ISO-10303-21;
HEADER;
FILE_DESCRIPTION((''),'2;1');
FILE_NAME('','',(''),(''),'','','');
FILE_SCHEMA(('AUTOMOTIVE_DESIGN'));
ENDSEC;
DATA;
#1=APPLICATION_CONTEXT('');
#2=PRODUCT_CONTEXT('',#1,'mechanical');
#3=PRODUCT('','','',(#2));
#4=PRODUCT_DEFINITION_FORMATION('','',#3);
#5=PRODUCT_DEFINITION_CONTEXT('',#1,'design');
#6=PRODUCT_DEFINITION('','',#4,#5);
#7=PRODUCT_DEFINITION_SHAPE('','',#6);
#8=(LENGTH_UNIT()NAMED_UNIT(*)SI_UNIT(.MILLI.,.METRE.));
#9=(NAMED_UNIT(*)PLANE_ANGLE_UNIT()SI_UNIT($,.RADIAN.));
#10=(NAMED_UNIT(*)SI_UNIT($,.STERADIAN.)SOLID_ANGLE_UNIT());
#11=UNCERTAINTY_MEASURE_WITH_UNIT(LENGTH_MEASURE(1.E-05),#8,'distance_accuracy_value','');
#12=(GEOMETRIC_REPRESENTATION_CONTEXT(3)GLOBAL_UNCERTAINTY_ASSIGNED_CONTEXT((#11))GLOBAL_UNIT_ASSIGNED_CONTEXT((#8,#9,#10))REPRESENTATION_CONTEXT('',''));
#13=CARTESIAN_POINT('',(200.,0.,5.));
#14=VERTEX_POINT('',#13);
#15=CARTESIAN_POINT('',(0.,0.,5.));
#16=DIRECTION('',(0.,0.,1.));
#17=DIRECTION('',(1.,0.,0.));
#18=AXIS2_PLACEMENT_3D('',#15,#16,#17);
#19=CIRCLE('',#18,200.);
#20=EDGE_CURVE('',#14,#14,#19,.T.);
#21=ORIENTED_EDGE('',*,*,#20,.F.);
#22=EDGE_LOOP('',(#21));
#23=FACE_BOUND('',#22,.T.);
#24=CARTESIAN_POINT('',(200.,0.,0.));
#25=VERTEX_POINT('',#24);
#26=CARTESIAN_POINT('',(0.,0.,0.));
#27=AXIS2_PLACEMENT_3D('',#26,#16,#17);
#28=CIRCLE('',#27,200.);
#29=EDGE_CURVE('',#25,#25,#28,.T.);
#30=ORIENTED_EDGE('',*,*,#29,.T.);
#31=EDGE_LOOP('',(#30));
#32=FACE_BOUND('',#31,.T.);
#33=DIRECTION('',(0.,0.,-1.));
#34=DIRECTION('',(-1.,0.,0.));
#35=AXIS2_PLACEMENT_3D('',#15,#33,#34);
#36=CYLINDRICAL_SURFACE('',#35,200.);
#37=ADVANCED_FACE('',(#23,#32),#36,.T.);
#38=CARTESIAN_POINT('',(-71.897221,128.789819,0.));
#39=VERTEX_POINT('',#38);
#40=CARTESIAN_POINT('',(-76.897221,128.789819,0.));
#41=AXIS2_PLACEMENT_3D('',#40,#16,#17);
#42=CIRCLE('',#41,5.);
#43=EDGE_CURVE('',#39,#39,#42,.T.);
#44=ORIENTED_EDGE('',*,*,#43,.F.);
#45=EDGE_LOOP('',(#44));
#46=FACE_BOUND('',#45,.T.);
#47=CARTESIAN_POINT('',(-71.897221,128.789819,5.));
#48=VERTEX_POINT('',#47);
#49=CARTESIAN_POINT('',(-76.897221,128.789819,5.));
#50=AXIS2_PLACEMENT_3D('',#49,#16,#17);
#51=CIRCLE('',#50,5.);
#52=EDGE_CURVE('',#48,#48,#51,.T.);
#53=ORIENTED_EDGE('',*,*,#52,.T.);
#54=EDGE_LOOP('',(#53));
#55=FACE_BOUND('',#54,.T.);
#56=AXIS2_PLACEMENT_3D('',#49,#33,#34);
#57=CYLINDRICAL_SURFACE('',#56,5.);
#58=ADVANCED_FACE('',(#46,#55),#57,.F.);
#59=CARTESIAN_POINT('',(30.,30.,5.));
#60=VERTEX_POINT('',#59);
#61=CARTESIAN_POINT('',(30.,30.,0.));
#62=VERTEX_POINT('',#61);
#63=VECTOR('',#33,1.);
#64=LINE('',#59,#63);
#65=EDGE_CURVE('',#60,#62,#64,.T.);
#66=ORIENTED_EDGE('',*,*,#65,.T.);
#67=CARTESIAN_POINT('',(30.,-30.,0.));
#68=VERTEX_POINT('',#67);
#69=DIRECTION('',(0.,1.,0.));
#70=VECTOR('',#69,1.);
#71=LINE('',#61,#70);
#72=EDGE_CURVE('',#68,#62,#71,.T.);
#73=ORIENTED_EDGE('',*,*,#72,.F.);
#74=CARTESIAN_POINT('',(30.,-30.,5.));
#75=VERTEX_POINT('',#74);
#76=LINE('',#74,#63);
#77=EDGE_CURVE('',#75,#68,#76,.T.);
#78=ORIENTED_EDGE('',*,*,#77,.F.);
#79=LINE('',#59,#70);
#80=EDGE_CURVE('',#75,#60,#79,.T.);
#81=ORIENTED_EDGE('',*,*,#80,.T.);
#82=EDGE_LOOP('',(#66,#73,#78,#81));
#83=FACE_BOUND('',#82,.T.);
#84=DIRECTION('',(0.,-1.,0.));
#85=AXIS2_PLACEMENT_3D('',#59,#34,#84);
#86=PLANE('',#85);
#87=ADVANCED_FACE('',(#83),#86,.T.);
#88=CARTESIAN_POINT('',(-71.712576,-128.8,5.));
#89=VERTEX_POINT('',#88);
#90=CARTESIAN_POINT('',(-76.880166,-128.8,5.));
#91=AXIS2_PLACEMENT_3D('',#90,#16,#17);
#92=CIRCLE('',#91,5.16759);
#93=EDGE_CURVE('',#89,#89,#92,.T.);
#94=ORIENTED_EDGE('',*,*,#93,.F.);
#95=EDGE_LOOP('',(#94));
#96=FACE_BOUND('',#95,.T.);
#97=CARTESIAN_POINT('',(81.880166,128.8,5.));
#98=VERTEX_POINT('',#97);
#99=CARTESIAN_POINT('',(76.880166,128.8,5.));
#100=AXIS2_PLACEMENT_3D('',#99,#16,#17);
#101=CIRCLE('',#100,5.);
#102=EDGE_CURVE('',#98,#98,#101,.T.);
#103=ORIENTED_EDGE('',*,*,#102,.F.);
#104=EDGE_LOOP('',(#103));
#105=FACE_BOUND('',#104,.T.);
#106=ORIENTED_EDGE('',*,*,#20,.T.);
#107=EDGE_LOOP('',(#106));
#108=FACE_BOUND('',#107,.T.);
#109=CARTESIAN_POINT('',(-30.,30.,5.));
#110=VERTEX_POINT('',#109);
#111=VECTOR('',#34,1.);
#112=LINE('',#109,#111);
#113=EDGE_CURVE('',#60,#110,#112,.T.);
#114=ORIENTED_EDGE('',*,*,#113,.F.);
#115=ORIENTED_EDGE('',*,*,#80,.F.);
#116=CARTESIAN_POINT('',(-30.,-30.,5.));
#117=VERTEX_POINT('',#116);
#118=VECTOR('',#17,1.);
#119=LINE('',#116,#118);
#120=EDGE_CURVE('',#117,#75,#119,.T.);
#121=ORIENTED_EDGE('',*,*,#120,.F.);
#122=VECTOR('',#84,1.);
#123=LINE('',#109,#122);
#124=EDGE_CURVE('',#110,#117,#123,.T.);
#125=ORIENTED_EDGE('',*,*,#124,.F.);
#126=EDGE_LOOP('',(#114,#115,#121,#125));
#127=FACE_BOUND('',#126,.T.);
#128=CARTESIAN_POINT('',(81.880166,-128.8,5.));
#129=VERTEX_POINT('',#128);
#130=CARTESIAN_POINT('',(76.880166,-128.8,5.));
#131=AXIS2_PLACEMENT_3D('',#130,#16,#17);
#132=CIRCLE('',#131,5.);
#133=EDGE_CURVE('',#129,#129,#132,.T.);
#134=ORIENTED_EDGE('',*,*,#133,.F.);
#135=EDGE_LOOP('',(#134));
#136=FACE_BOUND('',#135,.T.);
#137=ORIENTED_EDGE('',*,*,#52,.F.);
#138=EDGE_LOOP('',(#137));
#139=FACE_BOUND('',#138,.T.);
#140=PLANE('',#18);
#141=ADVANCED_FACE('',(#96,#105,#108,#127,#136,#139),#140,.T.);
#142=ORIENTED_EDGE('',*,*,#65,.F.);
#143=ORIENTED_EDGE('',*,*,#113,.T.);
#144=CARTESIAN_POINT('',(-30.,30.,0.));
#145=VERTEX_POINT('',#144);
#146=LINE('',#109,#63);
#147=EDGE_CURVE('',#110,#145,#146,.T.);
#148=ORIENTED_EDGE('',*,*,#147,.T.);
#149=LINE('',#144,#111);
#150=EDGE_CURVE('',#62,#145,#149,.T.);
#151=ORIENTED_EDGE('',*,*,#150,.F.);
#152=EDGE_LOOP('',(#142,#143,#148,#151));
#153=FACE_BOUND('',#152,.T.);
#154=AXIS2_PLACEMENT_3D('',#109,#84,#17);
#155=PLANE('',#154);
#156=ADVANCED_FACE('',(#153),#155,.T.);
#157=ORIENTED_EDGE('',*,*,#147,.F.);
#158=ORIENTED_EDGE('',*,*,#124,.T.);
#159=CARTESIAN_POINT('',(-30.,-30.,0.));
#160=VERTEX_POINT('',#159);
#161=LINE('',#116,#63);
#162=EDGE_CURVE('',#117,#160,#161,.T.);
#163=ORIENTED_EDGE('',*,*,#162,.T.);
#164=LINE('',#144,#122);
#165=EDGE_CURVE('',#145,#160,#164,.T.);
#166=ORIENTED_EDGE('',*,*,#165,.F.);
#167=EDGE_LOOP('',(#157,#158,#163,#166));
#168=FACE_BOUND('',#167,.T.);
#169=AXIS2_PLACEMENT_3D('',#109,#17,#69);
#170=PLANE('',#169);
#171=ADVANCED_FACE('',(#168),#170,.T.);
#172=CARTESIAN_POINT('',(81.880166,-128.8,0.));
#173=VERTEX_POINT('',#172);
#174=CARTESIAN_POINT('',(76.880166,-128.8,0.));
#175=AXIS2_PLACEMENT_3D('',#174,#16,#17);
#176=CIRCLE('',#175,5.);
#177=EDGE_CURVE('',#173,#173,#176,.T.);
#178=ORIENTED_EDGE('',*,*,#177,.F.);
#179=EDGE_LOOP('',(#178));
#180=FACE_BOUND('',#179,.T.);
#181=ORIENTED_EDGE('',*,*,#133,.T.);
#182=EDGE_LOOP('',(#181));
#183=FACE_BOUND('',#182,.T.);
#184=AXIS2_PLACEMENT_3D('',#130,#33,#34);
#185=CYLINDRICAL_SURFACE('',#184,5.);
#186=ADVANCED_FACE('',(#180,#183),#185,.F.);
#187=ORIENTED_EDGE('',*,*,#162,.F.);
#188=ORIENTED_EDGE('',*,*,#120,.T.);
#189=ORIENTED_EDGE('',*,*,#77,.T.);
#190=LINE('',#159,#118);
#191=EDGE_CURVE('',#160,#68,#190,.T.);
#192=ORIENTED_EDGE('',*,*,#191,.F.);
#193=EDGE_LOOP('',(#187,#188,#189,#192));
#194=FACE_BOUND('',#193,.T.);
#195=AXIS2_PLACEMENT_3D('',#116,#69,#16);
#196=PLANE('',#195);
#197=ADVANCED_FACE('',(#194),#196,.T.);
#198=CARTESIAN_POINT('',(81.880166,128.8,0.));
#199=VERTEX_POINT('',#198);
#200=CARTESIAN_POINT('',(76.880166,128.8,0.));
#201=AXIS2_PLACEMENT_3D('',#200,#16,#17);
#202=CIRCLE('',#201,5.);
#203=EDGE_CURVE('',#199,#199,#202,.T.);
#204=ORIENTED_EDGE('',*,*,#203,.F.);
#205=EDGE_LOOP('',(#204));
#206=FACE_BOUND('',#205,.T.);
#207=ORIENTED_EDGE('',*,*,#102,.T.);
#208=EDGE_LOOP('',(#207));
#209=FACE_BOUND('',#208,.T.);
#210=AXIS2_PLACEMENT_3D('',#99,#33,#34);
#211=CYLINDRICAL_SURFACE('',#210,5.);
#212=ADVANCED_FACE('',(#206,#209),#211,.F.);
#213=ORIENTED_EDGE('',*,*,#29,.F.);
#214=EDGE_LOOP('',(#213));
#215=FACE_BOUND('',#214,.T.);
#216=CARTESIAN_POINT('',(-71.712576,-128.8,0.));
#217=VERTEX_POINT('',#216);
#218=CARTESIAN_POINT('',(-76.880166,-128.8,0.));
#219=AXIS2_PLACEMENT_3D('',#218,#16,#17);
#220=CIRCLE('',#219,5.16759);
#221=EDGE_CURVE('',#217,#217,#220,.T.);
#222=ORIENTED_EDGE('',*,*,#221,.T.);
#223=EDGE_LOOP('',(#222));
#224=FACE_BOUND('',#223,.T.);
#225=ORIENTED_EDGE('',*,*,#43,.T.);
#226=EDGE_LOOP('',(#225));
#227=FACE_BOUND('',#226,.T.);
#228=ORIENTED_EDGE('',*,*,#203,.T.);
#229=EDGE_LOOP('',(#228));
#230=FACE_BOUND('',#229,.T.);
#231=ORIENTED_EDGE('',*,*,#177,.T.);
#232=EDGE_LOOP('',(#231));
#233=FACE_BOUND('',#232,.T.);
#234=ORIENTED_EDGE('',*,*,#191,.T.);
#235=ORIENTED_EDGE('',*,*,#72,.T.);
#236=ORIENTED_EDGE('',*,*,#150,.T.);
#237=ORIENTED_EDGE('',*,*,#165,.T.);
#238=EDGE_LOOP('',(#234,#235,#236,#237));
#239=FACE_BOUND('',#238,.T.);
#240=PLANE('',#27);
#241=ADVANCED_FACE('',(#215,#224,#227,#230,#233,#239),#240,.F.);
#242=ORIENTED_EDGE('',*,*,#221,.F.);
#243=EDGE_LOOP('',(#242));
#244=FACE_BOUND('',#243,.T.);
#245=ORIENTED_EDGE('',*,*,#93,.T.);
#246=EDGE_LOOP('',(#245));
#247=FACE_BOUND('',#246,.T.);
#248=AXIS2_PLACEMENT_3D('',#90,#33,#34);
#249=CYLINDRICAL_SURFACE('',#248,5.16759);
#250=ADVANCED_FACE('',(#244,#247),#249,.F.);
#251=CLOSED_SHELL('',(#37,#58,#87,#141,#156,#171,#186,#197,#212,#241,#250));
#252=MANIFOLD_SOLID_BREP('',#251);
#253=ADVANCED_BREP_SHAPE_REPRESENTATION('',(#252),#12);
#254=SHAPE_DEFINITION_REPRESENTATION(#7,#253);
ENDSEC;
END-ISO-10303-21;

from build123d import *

# Parameters (mm, degrees)
SKETCH1_R           = 200
SKETCH1_R_2         = 5
SKETCH1_R_3         = 5.167590305
SKETCH1_W           = 60
SKETCH1_H           = 60
BOSS_EXTRUDE2_DEPTH = 5


with BuildPart() as part:
    # Sketch1 → Boss-Extrude2 (new body)
    with BuildSketch(Plane.XY):
        Circle(SKETCH1_R)
        with Locations((-76.897220829, 128.789818809)):
            Circle(SKETCH1_R_2, mode=Mode.SUBTRACT)
        with Locations((-76.880166493, -128.8)):
            Circle(SKETCH1_R_3, mode=Mode.SUBTRACT)
        with Locations((76.880166493, 128.8)):
            Circle(SKETCH1_R_2, mode=Mode.SUBTRACT)
        with Locations((76.880166493, -128.8)):
            Circle(SKETCH1_R_2, mode=Mode.SUBTRACT)
        Rectangle(SKETCH1_W, SKETCH1_H, mode=Mode.SUBTRACT)
    extrude(amount=BOSS_EXTRUDE2_DEPTH)


solid = part.part
